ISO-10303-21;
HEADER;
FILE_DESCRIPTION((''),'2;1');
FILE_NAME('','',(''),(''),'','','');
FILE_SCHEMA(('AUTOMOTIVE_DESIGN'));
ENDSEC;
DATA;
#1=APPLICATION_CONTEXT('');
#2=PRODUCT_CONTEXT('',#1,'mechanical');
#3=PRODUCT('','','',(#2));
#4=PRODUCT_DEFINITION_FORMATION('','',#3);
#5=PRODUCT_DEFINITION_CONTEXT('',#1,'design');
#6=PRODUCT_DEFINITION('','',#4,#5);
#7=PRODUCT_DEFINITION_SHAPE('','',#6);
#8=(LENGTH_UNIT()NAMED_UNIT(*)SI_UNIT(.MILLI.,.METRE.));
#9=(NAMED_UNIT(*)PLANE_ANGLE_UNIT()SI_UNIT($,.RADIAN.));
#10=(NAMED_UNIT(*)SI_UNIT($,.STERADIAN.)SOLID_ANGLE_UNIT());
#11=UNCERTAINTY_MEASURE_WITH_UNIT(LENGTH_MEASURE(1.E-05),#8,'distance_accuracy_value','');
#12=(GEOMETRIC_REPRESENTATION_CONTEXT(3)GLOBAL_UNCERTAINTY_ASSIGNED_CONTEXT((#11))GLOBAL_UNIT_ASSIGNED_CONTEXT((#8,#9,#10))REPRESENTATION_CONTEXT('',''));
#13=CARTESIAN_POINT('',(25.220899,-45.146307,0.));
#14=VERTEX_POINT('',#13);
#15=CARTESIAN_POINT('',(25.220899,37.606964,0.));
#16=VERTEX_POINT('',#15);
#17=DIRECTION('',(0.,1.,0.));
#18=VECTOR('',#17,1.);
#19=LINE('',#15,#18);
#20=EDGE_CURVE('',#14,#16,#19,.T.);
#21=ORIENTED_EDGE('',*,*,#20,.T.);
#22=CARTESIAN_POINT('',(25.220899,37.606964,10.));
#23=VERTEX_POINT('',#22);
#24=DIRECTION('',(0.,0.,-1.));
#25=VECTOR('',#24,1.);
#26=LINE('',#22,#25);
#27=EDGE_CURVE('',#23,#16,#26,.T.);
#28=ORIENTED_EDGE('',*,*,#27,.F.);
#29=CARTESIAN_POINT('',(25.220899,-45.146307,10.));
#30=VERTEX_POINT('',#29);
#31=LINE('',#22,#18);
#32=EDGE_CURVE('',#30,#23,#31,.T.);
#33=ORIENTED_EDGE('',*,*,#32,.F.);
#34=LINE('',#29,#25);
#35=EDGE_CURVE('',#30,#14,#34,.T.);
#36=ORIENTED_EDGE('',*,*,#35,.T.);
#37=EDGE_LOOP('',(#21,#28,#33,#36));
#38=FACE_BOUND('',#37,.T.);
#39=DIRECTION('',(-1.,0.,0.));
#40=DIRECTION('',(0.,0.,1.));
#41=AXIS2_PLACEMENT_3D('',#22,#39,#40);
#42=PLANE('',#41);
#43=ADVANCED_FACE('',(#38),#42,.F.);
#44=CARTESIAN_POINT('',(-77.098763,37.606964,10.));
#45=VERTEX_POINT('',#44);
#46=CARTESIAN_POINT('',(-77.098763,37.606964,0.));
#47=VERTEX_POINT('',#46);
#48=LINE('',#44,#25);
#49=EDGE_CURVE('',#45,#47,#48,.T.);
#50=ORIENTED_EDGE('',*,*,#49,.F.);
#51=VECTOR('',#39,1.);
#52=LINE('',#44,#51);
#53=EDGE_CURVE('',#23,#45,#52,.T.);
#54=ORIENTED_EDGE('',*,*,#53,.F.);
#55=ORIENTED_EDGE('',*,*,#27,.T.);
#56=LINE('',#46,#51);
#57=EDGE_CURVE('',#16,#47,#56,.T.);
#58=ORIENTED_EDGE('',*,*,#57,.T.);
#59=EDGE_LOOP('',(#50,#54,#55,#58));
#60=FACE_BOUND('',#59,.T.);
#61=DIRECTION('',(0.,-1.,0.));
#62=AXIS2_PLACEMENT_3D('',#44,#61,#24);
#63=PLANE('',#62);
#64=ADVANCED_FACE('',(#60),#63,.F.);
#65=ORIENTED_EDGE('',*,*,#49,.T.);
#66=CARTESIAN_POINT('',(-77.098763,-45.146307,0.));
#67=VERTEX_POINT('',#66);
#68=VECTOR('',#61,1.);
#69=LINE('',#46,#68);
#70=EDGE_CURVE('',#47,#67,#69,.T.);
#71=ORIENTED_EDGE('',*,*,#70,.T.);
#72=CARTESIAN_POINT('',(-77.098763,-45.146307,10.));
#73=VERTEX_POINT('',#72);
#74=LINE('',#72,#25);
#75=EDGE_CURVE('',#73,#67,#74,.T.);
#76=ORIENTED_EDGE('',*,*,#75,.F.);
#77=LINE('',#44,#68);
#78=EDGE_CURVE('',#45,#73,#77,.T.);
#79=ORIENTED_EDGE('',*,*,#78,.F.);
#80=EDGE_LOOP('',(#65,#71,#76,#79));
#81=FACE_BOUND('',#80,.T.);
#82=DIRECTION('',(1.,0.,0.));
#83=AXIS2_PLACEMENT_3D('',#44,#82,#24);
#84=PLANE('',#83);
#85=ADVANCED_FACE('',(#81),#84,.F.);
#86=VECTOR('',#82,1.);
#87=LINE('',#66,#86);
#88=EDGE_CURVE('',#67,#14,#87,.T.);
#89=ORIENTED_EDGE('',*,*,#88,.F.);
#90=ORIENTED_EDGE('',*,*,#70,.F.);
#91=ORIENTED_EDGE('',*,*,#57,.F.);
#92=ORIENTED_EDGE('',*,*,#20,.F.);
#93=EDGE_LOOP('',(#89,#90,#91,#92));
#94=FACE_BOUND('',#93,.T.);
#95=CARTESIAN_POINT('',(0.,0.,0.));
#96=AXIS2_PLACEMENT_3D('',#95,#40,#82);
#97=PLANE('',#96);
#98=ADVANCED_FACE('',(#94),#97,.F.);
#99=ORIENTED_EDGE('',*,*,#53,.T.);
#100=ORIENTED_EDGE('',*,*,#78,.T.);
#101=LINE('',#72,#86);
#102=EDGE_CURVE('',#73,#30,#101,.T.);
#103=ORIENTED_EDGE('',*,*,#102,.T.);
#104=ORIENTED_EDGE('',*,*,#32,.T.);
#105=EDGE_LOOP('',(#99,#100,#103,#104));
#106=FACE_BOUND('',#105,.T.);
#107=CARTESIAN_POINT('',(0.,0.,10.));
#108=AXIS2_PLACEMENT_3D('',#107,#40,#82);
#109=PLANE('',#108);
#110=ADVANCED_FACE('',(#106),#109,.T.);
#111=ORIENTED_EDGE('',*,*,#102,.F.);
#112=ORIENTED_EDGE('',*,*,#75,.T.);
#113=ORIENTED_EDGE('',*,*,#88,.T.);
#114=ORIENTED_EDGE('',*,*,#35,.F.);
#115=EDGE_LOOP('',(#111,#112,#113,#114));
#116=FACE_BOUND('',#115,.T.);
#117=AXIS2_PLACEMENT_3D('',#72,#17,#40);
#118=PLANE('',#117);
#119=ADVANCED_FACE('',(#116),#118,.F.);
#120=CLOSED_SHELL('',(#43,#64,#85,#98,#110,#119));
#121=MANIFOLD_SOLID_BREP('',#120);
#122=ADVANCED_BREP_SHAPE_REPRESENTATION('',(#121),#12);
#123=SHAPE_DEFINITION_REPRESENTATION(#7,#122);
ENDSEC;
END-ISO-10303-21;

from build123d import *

# Parameters (mm, degrees)
SKETCH_1_W      = 102.319662563
SKETCH_1_H      = 82.75327095
EXTRUDE_1_DEPTH = 10


with BuildPart() as part:
    # 草图1 → 凸台-拉伸1 (new body)
    with BuildSketch(Plane.XY):
        with Locations((-25.938932001, -3.769671779)):
            Rectangle(SKETCH_1_W, SKETCH_1_H)
    extrude(amount=EXTRUDE_1_DEPTH)


solid = part.part
